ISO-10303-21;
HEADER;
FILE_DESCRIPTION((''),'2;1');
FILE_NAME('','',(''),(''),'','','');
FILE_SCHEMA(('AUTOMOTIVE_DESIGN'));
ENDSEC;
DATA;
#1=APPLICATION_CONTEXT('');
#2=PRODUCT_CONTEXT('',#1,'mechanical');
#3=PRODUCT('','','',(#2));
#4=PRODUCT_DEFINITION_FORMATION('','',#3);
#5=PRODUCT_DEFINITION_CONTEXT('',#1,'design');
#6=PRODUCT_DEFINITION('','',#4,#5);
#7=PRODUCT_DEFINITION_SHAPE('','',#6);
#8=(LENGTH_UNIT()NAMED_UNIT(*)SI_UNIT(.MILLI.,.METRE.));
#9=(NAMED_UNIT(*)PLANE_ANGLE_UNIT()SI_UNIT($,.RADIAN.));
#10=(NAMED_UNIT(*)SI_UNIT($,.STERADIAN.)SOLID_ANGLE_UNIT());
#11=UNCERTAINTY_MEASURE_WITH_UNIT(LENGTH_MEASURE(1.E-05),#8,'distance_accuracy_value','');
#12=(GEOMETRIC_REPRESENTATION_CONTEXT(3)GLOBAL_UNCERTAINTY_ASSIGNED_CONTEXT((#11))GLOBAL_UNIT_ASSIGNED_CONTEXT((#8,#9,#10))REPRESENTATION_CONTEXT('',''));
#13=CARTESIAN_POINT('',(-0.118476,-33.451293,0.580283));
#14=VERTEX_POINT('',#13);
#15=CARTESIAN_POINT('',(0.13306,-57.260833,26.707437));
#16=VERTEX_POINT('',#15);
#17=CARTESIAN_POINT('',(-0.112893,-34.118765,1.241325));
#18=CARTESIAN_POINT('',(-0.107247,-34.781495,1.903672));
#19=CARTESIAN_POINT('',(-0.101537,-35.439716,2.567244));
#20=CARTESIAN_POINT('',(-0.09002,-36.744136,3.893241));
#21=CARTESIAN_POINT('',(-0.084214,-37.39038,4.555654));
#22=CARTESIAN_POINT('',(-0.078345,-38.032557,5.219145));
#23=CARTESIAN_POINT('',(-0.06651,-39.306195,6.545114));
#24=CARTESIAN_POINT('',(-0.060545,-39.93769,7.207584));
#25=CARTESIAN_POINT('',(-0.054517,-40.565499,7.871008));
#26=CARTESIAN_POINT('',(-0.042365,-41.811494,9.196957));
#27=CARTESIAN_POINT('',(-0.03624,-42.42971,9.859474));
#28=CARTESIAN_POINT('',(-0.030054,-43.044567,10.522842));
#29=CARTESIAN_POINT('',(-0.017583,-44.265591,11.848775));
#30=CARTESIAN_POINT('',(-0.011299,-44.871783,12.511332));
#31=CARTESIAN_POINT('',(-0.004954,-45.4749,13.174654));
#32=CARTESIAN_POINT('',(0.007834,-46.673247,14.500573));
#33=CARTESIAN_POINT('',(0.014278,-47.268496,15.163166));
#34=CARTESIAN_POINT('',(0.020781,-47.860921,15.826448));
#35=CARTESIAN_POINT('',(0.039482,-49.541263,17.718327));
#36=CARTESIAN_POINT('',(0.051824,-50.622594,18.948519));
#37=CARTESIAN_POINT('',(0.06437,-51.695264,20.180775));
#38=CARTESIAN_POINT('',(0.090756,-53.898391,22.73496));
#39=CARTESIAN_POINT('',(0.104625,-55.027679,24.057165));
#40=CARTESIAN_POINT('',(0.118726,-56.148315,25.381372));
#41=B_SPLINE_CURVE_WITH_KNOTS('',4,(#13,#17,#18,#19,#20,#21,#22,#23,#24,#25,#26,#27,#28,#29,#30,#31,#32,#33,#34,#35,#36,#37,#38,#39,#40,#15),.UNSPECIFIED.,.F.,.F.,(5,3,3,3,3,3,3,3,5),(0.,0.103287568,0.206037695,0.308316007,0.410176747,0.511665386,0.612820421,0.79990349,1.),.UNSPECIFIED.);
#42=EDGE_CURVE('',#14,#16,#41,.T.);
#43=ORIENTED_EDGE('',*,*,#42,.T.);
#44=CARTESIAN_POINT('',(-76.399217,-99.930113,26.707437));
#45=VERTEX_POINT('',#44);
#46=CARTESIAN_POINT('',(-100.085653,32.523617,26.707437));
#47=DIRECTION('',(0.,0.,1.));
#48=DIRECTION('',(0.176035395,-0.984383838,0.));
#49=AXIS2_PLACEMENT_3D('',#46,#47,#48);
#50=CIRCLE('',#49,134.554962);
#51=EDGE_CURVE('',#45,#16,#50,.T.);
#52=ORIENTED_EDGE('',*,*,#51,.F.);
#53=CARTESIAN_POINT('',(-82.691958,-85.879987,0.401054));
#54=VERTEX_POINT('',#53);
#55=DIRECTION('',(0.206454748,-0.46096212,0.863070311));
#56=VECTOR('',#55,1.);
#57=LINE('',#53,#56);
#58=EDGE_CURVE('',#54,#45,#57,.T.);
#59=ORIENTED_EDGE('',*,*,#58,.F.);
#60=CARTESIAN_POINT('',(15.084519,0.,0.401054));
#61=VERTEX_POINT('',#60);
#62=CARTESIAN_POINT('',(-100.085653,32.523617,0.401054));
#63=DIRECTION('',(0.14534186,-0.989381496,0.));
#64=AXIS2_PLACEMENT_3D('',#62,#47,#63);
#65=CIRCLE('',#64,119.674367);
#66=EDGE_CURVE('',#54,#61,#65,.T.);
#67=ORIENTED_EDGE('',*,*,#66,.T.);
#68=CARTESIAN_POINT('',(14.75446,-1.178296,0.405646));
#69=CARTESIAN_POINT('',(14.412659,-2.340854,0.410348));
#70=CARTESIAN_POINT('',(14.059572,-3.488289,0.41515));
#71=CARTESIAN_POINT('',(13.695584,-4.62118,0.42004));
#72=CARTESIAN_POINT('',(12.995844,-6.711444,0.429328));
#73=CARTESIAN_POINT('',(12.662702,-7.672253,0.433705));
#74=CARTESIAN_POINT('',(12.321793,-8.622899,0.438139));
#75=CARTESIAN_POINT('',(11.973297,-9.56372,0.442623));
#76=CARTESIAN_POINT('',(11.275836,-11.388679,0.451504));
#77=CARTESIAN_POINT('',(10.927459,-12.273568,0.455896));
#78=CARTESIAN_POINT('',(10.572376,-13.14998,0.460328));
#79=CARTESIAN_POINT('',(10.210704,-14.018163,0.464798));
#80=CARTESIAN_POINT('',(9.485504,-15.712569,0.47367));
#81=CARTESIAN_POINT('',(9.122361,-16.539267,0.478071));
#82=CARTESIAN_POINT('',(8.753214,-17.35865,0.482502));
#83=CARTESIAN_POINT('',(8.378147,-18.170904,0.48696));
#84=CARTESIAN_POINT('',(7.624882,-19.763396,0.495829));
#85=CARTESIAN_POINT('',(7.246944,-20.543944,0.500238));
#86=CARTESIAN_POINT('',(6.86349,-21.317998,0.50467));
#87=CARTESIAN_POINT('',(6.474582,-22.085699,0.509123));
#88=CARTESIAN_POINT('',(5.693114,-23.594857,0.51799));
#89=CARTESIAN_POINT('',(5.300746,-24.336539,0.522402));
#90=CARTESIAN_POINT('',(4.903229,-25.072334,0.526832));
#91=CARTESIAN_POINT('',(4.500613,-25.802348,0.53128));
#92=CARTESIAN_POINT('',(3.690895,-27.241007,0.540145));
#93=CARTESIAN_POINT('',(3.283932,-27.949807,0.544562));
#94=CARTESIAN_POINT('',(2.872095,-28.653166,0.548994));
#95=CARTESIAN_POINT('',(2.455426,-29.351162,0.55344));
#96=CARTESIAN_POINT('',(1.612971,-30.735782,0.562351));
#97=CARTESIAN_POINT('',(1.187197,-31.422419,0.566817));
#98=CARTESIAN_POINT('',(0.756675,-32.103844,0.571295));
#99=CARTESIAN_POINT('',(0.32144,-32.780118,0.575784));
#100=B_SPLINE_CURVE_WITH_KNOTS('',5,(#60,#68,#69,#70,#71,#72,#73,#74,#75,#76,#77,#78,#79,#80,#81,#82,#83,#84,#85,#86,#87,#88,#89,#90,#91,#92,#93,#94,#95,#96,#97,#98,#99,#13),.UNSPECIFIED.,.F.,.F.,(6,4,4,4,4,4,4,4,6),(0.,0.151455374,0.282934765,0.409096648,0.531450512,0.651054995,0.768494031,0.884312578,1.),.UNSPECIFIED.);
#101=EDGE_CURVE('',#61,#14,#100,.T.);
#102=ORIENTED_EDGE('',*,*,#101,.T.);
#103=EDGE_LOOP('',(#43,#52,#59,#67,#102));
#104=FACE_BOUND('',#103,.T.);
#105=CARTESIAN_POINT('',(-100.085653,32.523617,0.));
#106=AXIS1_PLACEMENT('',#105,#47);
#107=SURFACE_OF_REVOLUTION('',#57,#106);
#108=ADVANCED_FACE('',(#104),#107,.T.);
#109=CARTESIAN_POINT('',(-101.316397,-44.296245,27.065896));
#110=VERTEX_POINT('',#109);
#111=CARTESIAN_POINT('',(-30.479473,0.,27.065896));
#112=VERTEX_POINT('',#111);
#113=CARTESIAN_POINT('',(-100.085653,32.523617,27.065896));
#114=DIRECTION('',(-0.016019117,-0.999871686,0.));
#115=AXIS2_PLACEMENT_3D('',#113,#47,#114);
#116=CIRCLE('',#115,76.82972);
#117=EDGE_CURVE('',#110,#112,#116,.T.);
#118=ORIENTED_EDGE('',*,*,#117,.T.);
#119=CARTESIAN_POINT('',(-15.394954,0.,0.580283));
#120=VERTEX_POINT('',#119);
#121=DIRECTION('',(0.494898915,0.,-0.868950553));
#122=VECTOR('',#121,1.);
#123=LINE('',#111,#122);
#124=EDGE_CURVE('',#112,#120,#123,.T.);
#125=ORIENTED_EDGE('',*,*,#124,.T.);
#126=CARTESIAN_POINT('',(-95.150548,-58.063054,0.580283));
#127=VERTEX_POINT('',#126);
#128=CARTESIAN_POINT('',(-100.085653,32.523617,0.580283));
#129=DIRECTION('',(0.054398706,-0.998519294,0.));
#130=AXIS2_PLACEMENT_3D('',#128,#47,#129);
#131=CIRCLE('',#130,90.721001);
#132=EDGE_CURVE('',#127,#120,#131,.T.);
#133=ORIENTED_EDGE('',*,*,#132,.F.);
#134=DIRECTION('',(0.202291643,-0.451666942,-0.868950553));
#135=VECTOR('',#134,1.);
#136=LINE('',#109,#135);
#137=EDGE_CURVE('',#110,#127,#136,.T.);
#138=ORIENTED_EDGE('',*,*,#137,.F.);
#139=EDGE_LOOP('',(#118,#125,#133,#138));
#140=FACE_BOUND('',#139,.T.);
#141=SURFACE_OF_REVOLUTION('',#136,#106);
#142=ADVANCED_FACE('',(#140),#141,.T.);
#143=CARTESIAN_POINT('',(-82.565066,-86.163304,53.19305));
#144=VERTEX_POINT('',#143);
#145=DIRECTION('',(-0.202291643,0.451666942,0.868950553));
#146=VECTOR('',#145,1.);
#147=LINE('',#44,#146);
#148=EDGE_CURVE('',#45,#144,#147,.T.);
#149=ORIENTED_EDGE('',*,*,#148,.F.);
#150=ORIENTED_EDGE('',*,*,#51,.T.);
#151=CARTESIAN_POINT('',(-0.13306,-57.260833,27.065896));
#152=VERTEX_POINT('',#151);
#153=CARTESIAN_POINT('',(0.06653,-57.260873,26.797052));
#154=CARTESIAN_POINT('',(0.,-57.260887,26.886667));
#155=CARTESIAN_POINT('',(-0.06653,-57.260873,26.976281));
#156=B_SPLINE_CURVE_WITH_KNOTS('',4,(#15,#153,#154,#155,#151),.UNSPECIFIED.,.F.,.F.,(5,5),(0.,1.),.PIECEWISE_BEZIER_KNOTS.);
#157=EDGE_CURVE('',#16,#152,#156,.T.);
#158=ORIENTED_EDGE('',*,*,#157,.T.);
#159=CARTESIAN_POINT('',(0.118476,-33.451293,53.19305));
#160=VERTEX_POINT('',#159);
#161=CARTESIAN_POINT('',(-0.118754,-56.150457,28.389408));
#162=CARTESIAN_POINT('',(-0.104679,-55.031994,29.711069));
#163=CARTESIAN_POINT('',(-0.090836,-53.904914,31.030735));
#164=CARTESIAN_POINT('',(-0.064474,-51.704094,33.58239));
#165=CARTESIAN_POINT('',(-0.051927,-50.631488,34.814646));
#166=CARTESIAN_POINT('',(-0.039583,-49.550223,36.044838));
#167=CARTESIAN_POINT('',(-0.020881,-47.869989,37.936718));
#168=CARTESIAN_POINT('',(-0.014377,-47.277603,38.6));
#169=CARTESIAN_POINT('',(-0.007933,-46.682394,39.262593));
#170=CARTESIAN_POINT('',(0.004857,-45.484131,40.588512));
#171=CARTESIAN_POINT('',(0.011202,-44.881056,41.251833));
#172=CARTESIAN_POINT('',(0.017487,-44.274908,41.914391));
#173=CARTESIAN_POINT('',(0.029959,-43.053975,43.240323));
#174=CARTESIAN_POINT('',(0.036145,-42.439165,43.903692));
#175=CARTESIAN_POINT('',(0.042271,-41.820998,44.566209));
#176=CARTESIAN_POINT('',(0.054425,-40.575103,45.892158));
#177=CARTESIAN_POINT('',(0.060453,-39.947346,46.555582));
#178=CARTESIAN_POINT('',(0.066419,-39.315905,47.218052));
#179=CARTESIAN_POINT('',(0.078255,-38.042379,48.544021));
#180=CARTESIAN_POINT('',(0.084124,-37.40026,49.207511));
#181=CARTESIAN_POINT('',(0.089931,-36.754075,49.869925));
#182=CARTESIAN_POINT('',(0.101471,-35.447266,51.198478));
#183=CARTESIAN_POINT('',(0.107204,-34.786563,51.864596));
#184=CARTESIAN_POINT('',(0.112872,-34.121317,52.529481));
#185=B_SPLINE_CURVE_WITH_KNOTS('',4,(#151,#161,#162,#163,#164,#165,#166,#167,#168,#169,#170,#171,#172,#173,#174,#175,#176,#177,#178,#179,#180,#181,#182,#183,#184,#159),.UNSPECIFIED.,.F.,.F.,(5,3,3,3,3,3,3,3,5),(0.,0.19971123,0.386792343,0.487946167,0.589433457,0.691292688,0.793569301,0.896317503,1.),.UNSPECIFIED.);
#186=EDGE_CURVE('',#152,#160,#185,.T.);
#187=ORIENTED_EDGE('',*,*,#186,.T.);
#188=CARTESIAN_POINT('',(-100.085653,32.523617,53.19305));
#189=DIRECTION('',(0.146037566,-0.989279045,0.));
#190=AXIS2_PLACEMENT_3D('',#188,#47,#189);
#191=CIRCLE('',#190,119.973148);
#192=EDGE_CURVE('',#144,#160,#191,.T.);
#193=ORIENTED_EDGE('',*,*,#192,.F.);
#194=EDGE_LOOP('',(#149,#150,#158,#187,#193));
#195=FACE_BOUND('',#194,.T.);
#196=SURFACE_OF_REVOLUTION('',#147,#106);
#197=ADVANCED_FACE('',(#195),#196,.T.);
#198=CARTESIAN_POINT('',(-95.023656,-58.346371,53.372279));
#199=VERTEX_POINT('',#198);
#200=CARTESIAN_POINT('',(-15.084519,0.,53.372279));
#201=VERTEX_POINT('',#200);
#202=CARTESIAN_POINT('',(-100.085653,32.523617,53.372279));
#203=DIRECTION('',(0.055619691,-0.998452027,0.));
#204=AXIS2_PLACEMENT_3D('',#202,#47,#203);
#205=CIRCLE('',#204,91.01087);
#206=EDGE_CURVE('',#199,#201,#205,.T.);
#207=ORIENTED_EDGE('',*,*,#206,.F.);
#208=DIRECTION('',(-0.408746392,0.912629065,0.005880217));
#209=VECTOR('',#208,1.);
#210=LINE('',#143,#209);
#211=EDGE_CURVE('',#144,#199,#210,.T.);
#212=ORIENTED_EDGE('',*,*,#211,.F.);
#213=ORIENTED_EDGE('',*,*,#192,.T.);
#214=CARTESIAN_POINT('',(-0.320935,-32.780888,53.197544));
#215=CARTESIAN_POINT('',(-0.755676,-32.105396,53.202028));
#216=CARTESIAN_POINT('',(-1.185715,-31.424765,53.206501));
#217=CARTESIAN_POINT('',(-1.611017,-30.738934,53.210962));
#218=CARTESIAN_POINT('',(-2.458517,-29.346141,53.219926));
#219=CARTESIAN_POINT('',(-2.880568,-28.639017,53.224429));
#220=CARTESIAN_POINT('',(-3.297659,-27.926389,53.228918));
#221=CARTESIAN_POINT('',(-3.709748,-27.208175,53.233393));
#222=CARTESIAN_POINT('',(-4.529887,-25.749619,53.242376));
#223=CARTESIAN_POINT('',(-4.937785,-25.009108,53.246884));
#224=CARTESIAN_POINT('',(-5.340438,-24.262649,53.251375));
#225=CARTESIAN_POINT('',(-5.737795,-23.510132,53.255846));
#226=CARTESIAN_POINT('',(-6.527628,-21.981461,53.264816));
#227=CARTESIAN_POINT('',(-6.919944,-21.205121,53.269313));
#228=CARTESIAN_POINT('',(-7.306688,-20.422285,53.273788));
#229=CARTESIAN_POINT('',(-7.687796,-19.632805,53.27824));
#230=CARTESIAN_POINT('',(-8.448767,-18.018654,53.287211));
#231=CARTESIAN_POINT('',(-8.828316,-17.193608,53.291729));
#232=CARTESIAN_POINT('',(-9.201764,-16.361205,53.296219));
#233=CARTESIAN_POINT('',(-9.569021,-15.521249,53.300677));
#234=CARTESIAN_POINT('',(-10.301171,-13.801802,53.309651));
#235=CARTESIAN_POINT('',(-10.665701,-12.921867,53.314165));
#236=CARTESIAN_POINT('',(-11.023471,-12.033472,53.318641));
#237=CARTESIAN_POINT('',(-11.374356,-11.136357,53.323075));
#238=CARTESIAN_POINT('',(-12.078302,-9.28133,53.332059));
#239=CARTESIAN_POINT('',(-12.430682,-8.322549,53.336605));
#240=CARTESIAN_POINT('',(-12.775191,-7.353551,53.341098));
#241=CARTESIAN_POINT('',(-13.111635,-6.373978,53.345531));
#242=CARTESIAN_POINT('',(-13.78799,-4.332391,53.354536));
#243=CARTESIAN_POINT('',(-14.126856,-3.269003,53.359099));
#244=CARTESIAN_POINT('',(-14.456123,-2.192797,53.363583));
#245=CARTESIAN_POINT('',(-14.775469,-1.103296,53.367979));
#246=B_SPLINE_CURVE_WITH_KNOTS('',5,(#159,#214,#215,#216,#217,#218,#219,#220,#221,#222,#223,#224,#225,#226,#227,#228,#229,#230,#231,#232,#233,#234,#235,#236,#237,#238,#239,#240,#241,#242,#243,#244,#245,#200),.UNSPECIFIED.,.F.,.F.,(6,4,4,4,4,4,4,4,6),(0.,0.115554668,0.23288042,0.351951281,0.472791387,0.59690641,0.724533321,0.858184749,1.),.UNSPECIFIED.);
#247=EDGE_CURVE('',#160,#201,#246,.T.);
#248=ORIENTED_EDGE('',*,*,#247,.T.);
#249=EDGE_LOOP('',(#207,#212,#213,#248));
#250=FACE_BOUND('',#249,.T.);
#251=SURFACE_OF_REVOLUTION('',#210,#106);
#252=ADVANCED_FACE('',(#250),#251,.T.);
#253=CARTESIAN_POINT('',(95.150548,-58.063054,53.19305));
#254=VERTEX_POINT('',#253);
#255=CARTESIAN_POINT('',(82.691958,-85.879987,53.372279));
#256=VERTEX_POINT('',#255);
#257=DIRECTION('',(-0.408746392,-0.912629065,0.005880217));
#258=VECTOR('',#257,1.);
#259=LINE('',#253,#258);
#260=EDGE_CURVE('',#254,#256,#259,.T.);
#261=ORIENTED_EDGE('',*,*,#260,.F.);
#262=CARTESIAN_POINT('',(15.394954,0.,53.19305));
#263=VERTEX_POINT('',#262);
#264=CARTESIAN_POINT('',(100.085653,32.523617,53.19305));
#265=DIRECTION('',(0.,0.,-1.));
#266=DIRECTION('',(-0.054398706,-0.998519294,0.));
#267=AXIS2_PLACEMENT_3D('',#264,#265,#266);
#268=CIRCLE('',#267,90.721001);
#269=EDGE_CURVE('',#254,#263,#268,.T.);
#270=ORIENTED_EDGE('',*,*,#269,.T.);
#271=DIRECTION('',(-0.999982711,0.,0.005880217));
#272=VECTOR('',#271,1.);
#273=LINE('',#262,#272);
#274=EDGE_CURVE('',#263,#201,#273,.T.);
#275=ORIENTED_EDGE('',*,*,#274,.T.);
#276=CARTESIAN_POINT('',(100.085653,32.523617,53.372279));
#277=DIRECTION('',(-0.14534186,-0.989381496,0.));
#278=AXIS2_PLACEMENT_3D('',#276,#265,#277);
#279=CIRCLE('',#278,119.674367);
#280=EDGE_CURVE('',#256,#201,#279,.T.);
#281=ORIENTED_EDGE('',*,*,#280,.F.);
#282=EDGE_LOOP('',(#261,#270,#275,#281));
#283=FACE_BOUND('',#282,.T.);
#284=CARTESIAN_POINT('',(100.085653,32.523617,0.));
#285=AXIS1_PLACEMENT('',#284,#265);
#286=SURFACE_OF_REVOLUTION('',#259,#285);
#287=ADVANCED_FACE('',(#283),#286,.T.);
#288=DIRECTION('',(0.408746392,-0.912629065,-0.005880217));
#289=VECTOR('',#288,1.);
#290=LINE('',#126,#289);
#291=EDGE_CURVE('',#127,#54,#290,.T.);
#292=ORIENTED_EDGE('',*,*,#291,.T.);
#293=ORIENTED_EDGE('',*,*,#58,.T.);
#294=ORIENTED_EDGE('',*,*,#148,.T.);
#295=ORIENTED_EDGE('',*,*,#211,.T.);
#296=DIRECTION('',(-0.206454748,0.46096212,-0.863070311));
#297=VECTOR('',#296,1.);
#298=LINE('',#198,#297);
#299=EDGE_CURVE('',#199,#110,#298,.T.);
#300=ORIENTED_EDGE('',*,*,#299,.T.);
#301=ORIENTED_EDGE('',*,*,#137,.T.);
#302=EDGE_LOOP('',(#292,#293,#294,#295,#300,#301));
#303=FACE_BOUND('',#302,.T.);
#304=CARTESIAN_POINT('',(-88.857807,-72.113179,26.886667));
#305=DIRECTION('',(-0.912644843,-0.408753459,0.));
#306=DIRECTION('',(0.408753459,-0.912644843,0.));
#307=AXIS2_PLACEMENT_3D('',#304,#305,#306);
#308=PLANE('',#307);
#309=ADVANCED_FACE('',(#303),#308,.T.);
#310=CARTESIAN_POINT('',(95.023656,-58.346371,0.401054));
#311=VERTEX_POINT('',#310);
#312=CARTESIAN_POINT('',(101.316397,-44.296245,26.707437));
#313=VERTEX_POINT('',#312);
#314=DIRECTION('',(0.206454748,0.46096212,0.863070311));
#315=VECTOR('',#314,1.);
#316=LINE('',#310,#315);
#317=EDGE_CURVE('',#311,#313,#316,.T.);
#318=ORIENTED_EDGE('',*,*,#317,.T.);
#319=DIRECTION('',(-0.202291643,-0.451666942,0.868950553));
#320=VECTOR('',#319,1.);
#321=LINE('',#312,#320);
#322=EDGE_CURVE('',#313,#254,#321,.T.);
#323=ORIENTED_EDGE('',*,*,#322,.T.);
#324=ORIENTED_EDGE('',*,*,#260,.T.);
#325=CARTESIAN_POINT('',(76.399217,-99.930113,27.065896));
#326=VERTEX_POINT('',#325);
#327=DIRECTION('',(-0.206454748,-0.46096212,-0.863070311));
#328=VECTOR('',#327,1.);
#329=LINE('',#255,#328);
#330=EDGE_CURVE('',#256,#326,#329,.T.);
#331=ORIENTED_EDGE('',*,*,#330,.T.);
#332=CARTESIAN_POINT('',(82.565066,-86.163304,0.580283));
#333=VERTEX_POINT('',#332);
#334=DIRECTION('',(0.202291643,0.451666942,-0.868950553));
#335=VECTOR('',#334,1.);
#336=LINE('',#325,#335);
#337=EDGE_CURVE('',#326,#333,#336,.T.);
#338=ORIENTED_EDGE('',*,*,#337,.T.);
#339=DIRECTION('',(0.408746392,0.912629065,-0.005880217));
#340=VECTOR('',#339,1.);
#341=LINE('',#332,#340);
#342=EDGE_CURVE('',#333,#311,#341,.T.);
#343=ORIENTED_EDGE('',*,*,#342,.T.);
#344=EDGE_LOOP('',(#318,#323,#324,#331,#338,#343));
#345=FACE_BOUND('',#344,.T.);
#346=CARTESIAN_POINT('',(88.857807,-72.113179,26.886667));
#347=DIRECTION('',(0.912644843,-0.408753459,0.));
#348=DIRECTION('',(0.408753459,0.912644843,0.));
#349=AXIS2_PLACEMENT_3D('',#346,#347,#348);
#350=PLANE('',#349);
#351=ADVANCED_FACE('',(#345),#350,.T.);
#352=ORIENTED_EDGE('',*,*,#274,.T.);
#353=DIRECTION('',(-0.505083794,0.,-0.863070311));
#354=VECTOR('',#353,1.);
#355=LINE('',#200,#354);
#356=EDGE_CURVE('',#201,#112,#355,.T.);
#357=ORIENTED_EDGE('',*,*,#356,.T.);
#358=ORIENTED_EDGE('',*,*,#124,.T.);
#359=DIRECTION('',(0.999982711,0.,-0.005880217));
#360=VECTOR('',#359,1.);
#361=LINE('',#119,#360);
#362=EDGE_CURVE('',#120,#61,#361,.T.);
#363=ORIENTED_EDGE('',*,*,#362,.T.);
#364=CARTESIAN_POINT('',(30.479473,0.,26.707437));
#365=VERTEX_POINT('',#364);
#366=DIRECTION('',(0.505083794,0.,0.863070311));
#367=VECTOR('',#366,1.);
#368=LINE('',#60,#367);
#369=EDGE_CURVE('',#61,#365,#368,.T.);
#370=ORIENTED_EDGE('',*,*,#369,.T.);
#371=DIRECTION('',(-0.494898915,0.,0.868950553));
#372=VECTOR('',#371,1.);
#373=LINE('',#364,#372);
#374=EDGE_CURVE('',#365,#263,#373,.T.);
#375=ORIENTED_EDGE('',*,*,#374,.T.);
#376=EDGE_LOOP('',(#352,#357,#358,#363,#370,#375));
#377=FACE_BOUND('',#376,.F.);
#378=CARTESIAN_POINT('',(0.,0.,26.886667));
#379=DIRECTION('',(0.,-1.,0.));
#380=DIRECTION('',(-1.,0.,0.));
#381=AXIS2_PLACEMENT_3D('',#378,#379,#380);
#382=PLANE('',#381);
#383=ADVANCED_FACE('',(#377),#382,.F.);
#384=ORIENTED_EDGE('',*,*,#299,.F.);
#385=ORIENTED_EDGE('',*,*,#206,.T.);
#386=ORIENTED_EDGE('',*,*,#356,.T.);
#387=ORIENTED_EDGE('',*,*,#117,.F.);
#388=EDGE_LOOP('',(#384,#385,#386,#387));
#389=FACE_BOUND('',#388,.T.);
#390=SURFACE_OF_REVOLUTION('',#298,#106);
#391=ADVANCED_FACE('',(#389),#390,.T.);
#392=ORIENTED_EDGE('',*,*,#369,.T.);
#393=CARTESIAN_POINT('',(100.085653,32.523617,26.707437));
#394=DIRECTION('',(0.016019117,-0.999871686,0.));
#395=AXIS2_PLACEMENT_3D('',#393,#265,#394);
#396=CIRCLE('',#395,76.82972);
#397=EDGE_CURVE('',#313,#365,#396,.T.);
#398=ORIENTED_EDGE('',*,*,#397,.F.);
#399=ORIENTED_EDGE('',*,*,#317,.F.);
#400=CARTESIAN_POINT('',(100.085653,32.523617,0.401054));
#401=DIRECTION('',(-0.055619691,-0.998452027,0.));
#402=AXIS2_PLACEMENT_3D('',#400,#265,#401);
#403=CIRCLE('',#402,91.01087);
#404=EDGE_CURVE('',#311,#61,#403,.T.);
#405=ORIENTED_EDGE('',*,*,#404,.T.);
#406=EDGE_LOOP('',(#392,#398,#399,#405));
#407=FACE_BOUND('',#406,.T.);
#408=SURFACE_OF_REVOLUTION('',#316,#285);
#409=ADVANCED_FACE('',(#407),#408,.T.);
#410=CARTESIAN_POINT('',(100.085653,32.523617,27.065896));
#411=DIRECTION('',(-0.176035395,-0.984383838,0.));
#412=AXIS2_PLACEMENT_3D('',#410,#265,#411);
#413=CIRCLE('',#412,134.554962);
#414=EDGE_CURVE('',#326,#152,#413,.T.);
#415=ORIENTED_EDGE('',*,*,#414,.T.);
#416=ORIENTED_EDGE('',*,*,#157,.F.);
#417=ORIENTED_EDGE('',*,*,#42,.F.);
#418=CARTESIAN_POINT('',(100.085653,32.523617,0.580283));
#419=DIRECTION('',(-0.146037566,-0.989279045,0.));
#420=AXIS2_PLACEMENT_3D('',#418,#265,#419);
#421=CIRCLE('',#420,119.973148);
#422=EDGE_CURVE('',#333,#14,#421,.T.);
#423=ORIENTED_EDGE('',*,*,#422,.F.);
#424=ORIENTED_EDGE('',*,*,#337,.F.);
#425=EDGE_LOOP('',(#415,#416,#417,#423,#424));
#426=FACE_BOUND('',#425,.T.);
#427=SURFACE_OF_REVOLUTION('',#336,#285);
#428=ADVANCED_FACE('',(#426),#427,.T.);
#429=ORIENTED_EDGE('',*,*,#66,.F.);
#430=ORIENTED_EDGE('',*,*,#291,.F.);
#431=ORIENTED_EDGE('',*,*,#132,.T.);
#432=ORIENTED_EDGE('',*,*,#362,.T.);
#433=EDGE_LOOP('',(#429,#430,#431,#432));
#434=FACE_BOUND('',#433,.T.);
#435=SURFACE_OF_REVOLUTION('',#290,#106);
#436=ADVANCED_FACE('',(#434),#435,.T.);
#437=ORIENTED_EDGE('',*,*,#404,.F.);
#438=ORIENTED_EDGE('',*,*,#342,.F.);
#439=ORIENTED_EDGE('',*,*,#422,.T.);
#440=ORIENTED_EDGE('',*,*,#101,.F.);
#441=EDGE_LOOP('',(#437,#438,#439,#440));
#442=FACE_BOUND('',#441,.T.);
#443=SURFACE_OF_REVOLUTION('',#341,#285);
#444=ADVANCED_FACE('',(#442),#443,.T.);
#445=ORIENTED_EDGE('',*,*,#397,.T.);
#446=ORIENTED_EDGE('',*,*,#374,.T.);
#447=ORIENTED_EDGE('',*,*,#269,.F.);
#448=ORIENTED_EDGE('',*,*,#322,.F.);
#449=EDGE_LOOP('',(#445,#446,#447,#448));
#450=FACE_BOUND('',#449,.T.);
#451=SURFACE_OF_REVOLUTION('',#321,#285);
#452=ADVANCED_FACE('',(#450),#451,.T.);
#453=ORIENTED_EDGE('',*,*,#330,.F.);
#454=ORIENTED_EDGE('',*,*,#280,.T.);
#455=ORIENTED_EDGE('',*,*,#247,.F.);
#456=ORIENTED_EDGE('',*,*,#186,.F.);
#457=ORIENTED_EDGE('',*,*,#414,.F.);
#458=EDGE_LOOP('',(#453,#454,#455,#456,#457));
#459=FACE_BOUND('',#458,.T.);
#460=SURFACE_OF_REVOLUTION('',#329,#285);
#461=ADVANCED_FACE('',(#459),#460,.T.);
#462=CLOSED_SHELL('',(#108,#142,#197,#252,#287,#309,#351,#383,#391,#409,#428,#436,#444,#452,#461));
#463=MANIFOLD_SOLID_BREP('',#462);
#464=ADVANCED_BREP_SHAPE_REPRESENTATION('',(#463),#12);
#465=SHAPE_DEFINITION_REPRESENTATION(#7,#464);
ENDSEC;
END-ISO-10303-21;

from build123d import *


with BuildPart() as f2:
    # F2: sweep along a path in F1
    with BuildLine(Plane.XY) as f2_path:
        ThreePointArc((-88.857807, -72.113179), (-33.770109, -49.190349), (0, 0))
    # F0 (on Front) → F2 (sweep)
    with BuildSketch(Plane.XZ):
        Polygon((-30.479473, 27.065896), (-15.394954, 0.580283), (15.084519, 0.401054), (30.479473, 26.707437), (15.394954, 53.19305), (-15.084519, 53.372279), align=None)
    sweep(path=f2_path.line)

    # F3: sweep along a path in F1
    with BuildLine(Plane.XY) as f3_path:
        ThreePointArc((88.857807, -72.113179), (33.770109, -49.190349), (0, 0))
    # F0 (on Front) → F3 (sweep)
    with BuildSketch(Plane.XZ):
        Polygon((-30.479473, 27.065896), (-15.394954, 0.580283), (15.084519, 0.401054), (30.479473, 26.707437), (15.394954, 53.19305), (-15.084519, 53.372279), align=None)
    sweep(path=f3_path.line)


solid = f2.part
